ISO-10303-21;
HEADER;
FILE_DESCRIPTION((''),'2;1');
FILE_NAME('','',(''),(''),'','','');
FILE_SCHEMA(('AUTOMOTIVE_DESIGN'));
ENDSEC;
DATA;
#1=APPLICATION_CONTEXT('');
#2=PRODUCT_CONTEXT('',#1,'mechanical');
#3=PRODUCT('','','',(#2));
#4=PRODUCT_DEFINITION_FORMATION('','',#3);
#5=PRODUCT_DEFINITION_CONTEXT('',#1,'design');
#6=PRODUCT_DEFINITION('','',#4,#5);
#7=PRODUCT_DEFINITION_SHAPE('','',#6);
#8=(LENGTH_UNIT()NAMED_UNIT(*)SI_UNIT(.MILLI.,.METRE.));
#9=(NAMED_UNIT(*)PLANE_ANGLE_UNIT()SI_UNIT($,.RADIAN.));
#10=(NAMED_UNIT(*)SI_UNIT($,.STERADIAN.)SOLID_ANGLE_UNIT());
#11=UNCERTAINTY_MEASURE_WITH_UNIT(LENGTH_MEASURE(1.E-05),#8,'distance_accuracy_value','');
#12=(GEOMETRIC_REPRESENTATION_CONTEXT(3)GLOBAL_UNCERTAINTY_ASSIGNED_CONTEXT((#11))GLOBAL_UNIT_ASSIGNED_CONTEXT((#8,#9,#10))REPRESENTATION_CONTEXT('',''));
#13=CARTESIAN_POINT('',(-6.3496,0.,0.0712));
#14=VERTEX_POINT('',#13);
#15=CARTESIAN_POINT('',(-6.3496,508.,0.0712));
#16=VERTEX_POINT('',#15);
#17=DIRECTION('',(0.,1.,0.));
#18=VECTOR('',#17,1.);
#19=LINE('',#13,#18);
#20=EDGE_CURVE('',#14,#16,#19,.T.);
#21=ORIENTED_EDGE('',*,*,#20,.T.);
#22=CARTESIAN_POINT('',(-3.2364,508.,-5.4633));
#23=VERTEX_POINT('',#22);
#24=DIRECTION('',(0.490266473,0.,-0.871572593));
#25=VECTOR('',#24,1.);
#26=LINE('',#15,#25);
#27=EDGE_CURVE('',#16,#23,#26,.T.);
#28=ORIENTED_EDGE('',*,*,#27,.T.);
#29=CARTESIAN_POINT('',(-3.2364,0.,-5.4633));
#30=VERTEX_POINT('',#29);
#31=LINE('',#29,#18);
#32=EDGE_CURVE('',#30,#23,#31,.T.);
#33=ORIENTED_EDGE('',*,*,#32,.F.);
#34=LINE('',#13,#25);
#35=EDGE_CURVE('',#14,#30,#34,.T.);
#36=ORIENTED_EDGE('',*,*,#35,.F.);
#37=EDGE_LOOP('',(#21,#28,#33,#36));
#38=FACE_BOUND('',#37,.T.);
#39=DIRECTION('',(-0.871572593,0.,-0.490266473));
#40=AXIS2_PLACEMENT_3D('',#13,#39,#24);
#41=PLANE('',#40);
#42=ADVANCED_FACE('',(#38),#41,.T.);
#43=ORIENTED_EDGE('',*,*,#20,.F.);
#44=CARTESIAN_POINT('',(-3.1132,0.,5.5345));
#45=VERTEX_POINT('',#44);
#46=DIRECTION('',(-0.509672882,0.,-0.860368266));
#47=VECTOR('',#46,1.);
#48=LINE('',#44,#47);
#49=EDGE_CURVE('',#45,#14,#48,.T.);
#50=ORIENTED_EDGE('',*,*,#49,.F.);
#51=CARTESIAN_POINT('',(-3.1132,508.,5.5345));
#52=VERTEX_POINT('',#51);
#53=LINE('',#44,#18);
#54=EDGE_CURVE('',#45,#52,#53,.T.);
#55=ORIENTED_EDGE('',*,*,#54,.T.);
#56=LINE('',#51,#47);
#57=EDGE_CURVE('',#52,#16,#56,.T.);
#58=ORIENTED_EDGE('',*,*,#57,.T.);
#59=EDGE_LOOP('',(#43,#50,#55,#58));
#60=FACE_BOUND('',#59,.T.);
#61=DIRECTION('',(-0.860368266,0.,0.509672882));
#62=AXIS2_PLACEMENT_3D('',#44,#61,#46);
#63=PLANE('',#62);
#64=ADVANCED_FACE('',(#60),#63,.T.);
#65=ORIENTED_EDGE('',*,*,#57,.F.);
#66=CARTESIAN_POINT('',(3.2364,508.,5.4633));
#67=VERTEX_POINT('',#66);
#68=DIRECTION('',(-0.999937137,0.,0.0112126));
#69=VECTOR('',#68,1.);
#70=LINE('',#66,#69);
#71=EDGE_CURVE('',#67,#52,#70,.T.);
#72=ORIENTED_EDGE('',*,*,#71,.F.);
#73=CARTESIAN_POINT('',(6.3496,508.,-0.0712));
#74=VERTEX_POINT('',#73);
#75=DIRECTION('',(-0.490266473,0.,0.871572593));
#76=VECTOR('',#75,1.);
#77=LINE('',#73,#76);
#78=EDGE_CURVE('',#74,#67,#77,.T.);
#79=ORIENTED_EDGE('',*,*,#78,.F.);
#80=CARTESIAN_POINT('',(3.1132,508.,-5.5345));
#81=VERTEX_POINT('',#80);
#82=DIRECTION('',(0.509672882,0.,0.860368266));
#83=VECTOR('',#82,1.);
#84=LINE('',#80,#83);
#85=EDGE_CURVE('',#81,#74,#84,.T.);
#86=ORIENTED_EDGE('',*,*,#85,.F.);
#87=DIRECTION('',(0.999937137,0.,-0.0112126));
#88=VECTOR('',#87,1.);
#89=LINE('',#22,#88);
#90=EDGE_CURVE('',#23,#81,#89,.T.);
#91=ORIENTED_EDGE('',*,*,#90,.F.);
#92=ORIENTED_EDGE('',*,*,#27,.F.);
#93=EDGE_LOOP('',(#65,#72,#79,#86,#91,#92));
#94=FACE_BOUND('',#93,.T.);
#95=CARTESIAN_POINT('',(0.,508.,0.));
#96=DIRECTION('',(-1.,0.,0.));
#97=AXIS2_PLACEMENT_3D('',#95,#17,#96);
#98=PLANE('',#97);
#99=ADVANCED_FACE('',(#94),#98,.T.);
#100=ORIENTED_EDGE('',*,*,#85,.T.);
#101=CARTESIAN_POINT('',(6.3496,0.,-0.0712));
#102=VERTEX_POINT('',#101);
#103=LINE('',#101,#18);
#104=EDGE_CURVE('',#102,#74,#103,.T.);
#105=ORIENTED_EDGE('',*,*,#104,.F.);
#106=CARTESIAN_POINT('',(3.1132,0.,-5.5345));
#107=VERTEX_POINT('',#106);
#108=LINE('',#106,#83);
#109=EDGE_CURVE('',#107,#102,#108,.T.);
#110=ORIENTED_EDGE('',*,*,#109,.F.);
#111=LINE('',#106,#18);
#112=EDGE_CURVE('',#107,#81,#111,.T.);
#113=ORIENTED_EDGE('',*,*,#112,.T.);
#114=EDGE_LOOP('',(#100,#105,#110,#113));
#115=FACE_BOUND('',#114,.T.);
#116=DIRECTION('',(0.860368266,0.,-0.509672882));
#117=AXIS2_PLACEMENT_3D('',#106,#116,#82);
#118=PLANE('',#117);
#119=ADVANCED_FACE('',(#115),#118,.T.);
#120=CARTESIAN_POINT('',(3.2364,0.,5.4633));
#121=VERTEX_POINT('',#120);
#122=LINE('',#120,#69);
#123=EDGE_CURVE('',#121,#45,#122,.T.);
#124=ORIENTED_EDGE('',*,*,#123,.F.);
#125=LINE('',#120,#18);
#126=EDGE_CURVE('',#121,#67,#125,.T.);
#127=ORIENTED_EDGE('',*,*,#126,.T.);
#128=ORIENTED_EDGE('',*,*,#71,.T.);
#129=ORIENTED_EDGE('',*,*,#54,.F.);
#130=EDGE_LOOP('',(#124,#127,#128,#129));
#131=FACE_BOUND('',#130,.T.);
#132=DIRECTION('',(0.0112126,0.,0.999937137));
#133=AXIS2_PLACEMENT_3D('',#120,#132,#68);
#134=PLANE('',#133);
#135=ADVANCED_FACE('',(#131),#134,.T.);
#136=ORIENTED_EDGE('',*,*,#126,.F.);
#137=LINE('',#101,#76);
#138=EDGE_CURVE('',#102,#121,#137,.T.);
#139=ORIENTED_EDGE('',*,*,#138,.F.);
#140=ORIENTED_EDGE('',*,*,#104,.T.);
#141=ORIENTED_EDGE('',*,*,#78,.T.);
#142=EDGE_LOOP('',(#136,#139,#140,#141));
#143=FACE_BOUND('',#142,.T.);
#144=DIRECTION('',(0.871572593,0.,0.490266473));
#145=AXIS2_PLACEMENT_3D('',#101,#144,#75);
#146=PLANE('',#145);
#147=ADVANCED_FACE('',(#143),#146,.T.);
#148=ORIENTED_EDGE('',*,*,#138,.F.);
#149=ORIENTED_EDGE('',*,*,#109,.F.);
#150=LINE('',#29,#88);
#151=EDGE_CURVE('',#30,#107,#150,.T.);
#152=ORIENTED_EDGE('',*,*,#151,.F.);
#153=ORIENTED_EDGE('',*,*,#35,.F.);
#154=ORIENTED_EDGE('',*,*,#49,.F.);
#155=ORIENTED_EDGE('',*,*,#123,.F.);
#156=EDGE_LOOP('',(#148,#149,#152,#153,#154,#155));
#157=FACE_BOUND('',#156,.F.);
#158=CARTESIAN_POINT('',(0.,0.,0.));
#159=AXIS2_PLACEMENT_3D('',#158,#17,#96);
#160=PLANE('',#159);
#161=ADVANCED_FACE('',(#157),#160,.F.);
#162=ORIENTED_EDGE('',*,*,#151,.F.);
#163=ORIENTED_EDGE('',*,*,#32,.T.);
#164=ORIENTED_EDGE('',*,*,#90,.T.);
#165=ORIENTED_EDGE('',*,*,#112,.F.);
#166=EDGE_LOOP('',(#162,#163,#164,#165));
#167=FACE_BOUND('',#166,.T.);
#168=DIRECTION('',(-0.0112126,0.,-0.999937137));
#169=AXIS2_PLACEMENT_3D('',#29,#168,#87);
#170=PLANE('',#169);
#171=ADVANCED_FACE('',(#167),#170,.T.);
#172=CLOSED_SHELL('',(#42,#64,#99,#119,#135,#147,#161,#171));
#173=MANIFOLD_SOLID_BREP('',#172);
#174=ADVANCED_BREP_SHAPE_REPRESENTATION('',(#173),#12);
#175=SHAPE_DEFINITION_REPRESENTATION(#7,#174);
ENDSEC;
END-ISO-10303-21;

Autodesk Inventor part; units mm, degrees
ref_plane "YZ Plane" through (0, 0, 0) normal (1, 0, 0) x (0, 1, 0)
ref_plane "XZ Plane" through (0, 0, 0) normal (0, 1, 0) x (-1, 0, 0)
ref_plane "XY Plane" through (0, 0, 0) normal (0, 0, 1) x (1, 0, 0)
sketch "Sketch1" plane through (0, 0, 0) normal (0, 1, 0) x (-1, 0, 0)
  circle A0 centre (0, 0) radius 6.35
  line L0 (3.1132, 5.5345) -> (6.3496, 0.0712)
  line L1 (6.3496, 0.0712) -> (3.2364, -5.4633)
  line L2 (3.2364, -5.4633) -> (-3.1132, -5.5345)
  line L3 (-3.1132, -5.5345) -> (-6.3496, -0.0712)
  line L4 (-6.3496, -0.0712) -> (-3.2364, 5.4633)
  line L5 (-3.2364, 5.4633) -> (3.1132, 5.5345)
  dimension "d0" = 12.7
extrude "Extrusion1" add sketch "Sketch1" along normal blind 508 contours L1 L2 L3 L4 L5 L0
properties part number "SuperHexagon"
